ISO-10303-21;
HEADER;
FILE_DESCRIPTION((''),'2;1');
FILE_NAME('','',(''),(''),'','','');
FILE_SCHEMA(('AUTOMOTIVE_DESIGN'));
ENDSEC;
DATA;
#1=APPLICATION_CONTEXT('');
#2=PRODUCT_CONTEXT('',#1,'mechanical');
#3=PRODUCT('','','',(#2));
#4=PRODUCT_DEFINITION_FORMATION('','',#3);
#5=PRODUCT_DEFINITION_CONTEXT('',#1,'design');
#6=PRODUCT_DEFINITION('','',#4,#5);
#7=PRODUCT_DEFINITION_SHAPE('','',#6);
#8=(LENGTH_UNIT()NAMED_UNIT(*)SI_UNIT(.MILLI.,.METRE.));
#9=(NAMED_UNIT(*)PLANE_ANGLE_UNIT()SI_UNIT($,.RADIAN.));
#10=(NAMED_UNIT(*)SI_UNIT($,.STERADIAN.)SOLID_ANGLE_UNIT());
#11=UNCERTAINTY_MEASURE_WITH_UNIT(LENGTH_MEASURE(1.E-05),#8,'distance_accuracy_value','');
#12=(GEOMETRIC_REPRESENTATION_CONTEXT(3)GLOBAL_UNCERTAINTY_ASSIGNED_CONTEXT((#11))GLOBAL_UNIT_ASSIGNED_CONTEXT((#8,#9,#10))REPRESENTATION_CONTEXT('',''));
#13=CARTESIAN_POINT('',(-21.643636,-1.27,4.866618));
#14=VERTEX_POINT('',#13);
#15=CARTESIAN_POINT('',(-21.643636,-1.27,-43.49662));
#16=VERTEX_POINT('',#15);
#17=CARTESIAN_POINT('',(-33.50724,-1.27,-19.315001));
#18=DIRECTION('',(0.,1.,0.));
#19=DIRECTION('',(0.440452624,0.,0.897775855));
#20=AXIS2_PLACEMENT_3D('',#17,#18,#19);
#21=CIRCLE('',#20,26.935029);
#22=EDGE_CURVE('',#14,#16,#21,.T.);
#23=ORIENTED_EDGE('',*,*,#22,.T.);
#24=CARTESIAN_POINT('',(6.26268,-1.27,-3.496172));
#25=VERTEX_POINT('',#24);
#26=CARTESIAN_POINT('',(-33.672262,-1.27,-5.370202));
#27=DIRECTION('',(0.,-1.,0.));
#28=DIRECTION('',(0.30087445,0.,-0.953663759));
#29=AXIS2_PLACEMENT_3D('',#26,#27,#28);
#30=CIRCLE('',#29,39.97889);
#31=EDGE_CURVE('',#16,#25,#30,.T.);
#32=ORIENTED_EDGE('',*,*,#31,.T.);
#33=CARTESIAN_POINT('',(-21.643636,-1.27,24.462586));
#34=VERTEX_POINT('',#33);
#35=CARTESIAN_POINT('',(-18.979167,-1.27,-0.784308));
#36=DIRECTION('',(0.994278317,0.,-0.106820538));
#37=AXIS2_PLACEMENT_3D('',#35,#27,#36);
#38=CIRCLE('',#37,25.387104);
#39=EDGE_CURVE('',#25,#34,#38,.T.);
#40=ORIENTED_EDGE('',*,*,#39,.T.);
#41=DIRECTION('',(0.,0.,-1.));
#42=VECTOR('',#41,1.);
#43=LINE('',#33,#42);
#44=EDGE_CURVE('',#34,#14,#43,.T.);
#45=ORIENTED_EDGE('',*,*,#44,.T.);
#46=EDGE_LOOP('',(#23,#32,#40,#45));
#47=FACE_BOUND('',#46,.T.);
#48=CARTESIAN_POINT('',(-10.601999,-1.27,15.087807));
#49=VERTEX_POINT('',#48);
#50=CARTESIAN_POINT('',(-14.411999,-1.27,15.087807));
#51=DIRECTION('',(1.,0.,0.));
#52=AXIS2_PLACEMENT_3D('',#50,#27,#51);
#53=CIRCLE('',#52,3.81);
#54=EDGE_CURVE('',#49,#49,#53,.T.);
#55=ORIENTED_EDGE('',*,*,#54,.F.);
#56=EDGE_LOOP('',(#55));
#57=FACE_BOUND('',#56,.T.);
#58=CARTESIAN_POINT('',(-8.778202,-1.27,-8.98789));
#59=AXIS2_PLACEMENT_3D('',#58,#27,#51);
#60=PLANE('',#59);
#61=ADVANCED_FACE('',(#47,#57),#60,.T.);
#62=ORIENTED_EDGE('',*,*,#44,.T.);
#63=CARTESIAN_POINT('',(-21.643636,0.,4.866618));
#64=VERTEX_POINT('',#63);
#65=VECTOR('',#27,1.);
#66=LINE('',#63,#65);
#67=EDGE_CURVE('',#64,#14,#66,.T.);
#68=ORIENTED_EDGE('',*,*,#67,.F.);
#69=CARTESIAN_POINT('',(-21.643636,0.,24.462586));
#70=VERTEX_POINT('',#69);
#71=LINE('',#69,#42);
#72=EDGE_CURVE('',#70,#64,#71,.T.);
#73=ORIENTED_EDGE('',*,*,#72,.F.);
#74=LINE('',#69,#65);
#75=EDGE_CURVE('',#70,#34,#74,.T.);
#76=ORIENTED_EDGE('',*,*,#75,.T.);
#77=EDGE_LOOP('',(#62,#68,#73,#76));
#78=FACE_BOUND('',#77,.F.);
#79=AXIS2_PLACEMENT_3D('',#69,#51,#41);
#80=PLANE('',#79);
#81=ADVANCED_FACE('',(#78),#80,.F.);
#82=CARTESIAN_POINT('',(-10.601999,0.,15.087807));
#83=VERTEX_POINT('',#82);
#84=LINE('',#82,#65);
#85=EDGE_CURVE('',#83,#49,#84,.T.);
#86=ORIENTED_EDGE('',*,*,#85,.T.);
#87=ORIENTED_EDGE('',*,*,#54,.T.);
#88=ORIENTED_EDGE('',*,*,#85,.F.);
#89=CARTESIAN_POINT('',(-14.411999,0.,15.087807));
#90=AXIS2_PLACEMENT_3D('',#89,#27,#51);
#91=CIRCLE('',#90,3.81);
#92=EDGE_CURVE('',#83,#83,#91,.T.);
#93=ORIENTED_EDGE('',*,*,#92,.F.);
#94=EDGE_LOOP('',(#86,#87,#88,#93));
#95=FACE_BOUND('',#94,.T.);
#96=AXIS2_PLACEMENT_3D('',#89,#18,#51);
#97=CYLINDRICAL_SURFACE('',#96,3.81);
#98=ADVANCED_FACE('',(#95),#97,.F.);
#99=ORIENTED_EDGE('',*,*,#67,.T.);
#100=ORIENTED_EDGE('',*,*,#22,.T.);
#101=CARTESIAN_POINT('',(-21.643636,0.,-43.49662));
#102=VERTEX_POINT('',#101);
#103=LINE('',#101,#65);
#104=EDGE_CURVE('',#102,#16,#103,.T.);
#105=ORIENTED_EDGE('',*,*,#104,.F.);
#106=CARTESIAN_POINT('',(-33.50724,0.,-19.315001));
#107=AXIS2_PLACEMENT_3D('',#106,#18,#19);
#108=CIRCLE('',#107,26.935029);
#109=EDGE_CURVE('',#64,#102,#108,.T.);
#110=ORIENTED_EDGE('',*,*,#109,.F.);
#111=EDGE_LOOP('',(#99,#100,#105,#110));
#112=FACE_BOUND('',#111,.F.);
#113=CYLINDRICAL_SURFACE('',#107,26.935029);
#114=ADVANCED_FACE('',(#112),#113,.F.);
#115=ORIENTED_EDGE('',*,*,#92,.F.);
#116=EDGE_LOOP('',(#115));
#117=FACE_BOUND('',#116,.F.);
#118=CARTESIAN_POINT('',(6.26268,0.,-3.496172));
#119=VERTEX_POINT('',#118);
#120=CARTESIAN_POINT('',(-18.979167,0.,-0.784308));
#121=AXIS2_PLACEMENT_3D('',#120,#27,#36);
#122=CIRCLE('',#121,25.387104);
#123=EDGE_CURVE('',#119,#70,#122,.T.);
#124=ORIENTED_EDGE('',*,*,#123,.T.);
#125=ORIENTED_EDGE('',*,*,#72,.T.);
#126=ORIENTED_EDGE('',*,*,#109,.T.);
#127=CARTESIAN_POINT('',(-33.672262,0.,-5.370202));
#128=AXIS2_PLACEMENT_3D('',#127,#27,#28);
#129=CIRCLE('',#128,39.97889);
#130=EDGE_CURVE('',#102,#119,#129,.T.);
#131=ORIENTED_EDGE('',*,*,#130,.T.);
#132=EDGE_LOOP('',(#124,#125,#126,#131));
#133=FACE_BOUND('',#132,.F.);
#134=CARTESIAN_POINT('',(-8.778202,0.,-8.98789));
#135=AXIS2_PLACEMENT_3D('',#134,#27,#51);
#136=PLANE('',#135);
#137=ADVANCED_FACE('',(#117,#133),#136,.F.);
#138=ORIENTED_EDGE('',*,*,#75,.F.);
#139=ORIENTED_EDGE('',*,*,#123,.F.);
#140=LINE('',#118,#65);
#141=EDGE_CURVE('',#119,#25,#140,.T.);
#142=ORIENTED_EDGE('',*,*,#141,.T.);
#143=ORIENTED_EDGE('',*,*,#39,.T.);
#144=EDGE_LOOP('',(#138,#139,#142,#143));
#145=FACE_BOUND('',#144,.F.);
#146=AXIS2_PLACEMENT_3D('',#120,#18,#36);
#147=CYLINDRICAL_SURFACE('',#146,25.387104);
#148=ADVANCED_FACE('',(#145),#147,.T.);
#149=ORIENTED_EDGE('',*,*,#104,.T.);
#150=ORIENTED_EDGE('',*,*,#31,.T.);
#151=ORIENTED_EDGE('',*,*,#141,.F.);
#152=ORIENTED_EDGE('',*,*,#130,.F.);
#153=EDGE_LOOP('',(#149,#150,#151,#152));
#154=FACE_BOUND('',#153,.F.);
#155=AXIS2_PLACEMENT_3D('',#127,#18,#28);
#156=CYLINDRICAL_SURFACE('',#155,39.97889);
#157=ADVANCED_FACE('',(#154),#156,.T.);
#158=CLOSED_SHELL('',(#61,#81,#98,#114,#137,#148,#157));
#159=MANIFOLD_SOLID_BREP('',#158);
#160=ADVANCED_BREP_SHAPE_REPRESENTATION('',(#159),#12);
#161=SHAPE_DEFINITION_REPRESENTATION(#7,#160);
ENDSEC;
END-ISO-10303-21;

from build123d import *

# Parameters (mm, degrees)
F0_R     = 3.81
F1_DEPTH = 1.27


with BuildPart() as f1:
    # F0 (on Front) → F1 (new body)
    with BuildSketch(Plane.XZ):
        with BuildLine():
            ThreePointArc((-21.643636, -43.49662), (-0.884123, -28.24485), (6.26268, -3.496172))
            ThreePointArc((6.26268, -3.496172), (-1.01093, 17.150226), (-21.643636, 24.462586))
            Line((-21.643636, 24.462586), (-21.643636, 4.866618))
            ThreePointArc((-21.643636, 4.866618), (-6.572211, -19.315001), (-21.643636, -43.49662))
        make_face()
        with Locations((-14.411999, 15.087807)):
            Circle(F0_R, mode=Mode.SUBTRACT)
    extrude(amount=F1_DEPTH)


solid = f1.part
